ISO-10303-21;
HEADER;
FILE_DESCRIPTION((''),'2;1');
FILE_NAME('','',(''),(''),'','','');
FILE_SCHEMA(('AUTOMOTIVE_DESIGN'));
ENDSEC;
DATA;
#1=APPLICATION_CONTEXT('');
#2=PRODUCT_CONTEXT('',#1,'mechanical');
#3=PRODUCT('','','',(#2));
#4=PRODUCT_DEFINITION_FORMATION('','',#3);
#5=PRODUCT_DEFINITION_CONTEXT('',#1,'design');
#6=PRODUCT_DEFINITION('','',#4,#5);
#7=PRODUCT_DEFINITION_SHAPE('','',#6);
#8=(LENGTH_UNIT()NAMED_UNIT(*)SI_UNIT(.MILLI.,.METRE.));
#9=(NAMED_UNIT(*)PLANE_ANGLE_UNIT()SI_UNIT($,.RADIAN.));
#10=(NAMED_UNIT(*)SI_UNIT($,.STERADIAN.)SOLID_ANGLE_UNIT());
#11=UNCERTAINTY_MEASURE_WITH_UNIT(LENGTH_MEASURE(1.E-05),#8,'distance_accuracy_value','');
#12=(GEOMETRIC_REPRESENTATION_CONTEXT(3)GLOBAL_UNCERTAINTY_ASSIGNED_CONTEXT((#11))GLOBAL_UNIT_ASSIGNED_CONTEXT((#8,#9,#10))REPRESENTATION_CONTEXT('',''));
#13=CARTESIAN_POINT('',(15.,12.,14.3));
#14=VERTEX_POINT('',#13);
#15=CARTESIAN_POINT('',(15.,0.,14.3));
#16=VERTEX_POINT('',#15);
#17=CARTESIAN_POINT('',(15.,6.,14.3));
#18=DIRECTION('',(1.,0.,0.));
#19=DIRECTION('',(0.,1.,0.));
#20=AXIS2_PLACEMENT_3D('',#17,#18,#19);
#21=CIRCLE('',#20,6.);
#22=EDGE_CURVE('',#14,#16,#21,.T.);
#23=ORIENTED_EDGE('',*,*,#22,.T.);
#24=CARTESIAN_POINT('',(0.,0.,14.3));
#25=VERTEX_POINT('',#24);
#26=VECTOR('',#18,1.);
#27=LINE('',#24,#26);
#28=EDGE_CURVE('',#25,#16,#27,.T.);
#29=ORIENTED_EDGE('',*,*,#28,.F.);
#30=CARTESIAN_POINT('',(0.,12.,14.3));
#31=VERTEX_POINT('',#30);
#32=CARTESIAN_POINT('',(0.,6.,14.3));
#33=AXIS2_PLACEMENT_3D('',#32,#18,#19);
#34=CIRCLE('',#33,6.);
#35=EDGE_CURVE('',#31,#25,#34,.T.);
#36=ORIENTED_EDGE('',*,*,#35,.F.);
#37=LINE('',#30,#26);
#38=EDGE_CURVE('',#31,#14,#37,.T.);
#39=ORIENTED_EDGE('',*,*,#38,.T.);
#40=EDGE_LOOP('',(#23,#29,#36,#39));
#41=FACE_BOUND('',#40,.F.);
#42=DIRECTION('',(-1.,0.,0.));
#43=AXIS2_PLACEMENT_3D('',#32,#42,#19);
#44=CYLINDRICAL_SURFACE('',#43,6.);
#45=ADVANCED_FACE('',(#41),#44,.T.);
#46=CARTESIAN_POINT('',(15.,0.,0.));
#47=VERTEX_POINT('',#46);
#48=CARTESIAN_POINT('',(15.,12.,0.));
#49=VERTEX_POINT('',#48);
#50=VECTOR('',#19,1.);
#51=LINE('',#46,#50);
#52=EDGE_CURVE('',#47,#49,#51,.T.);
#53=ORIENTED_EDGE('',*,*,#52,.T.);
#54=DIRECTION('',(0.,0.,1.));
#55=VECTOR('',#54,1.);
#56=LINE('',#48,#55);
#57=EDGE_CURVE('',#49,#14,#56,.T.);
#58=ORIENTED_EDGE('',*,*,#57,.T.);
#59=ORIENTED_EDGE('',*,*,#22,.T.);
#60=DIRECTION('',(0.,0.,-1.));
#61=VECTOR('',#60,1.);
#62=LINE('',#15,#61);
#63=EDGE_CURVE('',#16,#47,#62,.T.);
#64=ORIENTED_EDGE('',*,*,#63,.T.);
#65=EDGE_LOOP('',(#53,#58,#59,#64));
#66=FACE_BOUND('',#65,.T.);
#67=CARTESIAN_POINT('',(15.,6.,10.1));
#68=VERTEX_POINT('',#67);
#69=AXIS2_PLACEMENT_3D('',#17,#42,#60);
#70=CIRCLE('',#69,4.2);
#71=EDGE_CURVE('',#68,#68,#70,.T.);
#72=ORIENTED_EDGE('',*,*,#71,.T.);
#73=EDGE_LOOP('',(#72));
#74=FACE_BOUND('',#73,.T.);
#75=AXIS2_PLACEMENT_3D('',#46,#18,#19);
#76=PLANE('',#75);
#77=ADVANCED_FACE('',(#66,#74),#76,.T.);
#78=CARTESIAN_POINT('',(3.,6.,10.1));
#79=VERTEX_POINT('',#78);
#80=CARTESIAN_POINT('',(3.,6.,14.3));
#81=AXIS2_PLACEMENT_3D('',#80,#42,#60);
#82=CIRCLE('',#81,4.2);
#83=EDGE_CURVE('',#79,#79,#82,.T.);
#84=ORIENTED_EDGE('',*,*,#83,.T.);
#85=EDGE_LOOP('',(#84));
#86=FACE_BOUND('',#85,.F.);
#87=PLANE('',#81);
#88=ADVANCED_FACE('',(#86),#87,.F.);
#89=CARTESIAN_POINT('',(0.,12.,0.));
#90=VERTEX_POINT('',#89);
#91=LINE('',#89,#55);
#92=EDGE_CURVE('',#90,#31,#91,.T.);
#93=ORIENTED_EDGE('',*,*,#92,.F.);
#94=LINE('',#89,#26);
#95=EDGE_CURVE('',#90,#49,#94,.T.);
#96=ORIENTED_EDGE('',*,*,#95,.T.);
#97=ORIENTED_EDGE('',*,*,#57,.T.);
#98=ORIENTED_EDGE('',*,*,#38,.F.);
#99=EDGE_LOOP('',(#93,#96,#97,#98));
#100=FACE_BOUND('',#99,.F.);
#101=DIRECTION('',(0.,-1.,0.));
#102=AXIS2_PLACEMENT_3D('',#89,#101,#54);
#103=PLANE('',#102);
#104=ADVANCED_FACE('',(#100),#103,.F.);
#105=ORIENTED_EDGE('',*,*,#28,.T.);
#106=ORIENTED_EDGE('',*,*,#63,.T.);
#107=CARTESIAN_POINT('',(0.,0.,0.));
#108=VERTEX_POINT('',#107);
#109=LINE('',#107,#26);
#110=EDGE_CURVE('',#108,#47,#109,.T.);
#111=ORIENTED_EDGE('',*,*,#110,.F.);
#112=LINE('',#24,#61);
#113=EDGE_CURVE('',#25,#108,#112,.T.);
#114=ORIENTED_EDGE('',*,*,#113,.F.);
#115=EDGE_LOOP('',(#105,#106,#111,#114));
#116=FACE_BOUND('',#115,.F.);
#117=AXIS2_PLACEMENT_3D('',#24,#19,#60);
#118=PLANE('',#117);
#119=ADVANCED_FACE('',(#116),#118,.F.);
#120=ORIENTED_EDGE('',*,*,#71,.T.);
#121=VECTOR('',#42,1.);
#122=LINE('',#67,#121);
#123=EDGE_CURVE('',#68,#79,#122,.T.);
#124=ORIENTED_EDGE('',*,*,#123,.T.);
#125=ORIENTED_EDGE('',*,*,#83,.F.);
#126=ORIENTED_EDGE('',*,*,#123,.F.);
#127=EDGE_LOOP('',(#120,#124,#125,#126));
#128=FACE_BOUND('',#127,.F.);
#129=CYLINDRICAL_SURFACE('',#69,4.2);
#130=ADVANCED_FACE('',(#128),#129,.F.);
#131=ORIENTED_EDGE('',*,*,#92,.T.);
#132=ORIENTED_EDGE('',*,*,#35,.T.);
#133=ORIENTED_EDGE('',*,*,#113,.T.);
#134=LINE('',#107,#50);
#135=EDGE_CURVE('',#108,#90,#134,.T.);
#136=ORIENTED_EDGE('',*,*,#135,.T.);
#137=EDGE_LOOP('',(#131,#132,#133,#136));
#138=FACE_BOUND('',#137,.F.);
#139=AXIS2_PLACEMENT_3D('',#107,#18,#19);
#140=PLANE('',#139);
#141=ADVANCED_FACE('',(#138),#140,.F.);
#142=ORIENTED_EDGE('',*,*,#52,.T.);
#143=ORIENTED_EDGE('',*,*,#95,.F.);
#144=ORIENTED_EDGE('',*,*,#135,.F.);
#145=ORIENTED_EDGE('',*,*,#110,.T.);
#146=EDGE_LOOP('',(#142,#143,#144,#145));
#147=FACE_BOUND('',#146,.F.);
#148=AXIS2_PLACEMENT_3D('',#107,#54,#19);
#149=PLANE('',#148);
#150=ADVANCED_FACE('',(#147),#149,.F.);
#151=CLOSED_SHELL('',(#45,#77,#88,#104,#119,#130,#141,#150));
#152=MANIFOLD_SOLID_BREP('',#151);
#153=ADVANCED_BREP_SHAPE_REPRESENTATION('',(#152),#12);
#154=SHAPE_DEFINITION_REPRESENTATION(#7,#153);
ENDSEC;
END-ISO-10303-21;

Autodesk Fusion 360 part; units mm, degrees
sketch "Sketch1" plane through (0, 0, 0) normal (1, 0, 0) x (0, 1, 0)
  line L0 (0, 0) -> (12, 0)
  line L1 (12, 0) -> (12, 14.3)
  line L2 (12, 14.3) -> (0, 14.3)
  line L3 (0, 14.3) -> (0, 0)
  circle A0 centre (6, 14.3) radius 6
  dimension "d1" = 12
  dimension "d2" = 14.3
extrude "Extrude1" add sketch "Sketch1" along normal blind 15
hole "Hole1" at (15, 6, 14.3) direction (-1, 0, 0) diameter 8.4 depth 12 tip angle 180
